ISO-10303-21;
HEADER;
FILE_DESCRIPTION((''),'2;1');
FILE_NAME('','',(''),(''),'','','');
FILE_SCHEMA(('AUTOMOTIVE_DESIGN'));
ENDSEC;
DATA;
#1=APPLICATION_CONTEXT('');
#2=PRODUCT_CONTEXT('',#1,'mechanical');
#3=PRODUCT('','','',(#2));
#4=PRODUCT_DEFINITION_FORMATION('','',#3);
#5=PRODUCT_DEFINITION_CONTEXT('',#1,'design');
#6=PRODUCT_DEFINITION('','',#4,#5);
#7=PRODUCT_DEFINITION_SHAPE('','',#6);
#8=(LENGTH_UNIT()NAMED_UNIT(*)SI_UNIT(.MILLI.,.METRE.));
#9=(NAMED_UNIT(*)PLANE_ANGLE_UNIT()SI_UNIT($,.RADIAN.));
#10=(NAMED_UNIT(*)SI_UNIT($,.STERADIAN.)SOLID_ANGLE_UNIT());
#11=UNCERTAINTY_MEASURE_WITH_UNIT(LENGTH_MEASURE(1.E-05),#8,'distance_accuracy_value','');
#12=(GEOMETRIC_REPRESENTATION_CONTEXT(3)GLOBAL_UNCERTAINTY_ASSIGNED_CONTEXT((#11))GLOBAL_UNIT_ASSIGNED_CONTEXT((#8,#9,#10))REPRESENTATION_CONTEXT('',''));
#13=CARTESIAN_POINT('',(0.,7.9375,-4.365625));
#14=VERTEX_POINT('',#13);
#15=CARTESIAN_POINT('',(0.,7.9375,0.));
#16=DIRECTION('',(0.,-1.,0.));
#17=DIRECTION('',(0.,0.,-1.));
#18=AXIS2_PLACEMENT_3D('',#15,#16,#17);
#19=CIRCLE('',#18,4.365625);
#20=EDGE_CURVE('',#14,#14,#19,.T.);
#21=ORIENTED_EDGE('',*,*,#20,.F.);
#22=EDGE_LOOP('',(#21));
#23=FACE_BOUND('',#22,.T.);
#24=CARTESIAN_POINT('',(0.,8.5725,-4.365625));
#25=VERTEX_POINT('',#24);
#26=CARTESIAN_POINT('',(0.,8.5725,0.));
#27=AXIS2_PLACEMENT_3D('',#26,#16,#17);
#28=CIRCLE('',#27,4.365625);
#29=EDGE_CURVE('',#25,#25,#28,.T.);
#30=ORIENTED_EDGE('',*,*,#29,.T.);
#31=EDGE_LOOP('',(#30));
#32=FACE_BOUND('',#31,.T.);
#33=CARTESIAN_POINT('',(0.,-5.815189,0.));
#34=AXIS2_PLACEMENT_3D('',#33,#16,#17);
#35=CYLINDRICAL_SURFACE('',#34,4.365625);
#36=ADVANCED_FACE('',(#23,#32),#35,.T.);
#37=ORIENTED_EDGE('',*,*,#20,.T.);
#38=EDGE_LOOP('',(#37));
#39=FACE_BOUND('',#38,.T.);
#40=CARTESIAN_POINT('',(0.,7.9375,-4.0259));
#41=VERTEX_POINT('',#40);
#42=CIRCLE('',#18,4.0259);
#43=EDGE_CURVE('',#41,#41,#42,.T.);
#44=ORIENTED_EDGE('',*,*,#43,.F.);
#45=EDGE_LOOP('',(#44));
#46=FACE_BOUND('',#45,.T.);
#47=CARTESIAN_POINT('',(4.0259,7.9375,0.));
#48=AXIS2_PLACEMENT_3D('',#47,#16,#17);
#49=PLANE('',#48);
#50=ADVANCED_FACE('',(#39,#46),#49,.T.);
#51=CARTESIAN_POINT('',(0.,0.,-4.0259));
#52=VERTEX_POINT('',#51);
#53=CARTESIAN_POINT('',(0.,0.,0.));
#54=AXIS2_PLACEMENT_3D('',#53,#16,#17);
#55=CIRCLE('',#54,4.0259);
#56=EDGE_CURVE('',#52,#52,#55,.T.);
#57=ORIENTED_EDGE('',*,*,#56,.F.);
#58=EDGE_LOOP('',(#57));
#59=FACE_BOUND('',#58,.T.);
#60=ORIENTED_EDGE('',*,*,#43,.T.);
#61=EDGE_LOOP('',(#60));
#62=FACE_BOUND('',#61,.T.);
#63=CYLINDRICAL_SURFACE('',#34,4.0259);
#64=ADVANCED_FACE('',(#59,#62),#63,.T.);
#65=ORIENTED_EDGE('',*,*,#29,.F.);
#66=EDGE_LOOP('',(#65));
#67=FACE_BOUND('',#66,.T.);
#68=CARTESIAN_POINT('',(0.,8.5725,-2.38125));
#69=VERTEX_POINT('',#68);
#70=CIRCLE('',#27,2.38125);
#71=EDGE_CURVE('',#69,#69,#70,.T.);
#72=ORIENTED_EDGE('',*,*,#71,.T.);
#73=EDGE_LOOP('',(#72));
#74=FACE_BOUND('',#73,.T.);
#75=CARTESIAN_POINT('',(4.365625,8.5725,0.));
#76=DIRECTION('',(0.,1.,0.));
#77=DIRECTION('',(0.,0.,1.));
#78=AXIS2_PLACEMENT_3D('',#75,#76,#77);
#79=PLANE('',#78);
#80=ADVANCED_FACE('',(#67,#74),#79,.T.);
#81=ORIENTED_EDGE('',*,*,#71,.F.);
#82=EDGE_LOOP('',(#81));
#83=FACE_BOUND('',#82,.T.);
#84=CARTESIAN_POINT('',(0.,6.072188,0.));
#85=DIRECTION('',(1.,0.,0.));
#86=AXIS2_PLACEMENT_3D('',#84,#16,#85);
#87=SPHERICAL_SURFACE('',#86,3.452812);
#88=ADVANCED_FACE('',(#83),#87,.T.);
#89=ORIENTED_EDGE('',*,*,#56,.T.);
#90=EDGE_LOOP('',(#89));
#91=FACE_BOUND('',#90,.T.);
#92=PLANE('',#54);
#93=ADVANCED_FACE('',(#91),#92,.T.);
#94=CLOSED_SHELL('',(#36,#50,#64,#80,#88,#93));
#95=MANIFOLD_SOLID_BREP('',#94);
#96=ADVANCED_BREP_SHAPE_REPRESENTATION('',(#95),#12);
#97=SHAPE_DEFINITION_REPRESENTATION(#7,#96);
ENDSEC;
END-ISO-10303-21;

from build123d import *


with BuildPart() as part:
    # Sketch1 → Revolve1 (revolve)
    with BuildSketch(Plane.XY, mode=Mode.PRIVATE) as revolve1_sk:
        with BuildLine():
            Line((0, 0), (4.0259, 0))
            Line((4.0259, 0), (4.0259, 7.9375))
            Line((4.0259, 7.9375), (4.365625, 7.9375))
            Line((4.365625, 7.9375), (4.365625, 8.5725))
            Line((4.365625, 8.5725), (2.38125, 8.5725))
            ThreePointArc((2.38125, 8.5725), (1.28234237, 9.278043424), (0, 9.525))
            Line((0, 9.525), (0, 0))
        make_face()
    revolve(revolve1_sk.sketch.rotate(Axis((0, -5.815188889, 0), (0, 1, 0)), 90), axis=Axis((0, -5.815188889, 0), (0, 1, 0)))


solid = part.part
